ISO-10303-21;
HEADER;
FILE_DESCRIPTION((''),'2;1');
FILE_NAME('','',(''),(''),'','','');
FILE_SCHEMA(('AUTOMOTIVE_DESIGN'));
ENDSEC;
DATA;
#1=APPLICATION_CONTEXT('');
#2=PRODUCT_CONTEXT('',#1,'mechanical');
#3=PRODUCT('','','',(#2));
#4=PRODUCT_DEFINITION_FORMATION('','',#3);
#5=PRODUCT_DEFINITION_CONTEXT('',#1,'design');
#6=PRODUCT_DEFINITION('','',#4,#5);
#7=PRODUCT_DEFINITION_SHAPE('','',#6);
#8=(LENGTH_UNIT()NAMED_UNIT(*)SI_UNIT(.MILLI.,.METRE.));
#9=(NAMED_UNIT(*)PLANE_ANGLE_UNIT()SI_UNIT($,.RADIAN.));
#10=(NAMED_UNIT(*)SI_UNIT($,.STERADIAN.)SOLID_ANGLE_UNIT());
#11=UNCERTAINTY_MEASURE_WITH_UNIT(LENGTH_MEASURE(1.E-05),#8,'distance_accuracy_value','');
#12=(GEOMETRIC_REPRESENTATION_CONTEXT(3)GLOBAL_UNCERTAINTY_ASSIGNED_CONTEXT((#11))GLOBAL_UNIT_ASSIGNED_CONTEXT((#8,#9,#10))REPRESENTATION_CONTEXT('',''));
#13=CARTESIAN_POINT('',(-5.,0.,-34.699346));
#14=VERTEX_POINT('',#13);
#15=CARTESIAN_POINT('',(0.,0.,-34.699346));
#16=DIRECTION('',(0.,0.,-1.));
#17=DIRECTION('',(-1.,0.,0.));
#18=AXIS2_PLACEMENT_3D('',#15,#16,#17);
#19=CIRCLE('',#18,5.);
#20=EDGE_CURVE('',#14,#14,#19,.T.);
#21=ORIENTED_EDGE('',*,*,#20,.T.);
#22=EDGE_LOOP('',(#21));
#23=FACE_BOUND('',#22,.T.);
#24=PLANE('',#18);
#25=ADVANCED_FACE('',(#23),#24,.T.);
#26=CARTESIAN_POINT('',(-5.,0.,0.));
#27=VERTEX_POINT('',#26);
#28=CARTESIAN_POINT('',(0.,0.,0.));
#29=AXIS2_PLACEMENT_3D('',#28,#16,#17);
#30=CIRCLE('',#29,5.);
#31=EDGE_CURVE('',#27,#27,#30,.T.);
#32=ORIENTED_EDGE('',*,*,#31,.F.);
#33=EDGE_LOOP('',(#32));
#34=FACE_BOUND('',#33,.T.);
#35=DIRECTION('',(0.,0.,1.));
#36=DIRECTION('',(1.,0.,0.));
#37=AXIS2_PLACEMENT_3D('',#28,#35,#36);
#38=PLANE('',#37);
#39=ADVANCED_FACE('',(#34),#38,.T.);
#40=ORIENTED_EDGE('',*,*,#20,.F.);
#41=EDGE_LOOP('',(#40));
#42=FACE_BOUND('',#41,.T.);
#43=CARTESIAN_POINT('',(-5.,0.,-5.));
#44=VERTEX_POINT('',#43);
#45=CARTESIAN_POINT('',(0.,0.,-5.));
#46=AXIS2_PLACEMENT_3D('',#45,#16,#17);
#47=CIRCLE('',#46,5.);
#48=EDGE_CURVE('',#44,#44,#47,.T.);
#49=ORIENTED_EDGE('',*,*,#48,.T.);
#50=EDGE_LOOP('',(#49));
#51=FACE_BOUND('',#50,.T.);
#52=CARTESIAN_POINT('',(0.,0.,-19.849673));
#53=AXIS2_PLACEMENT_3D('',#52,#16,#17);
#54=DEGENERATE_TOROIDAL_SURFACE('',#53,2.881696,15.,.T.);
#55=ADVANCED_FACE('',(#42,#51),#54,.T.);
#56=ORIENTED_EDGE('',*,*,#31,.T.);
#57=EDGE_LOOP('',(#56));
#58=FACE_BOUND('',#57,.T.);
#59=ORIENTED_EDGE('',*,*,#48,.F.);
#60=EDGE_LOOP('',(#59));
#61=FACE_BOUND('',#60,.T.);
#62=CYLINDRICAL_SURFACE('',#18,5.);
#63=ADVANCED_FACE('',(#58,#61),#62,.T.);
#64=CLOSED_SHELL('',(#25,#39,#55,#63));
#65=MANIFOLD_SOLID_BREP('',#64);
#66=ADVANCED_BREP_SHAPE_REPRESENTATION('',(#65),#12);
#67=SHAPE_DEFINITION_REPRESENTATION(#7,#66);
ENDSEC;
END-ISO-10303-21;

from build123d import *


with BuildPart() as part:
    # Sketch1 → Revolve1 (revolve)
    with BuildSketch(Plane(origin=(0, 0, 0), x_dir=(1, 0, 0), z_dir=(0, 1, 0))):
        with BuildLine():
            Line((0, 34.699345893), (0, 0))
            Line((0, 0), (-5, 0))
            Line((-5, 0), (-5, 5))
            ThreePointArc((-5, 5), (-17.881695634, 19.849672946), (-5, 34.699345893))
            Line((-5, 34.699345893), (0, 34.699345893))
        make_face()
    revolve(axis=Axis((0, 0, -34.699345893), (0, 0, 1)))


solid = part.part
